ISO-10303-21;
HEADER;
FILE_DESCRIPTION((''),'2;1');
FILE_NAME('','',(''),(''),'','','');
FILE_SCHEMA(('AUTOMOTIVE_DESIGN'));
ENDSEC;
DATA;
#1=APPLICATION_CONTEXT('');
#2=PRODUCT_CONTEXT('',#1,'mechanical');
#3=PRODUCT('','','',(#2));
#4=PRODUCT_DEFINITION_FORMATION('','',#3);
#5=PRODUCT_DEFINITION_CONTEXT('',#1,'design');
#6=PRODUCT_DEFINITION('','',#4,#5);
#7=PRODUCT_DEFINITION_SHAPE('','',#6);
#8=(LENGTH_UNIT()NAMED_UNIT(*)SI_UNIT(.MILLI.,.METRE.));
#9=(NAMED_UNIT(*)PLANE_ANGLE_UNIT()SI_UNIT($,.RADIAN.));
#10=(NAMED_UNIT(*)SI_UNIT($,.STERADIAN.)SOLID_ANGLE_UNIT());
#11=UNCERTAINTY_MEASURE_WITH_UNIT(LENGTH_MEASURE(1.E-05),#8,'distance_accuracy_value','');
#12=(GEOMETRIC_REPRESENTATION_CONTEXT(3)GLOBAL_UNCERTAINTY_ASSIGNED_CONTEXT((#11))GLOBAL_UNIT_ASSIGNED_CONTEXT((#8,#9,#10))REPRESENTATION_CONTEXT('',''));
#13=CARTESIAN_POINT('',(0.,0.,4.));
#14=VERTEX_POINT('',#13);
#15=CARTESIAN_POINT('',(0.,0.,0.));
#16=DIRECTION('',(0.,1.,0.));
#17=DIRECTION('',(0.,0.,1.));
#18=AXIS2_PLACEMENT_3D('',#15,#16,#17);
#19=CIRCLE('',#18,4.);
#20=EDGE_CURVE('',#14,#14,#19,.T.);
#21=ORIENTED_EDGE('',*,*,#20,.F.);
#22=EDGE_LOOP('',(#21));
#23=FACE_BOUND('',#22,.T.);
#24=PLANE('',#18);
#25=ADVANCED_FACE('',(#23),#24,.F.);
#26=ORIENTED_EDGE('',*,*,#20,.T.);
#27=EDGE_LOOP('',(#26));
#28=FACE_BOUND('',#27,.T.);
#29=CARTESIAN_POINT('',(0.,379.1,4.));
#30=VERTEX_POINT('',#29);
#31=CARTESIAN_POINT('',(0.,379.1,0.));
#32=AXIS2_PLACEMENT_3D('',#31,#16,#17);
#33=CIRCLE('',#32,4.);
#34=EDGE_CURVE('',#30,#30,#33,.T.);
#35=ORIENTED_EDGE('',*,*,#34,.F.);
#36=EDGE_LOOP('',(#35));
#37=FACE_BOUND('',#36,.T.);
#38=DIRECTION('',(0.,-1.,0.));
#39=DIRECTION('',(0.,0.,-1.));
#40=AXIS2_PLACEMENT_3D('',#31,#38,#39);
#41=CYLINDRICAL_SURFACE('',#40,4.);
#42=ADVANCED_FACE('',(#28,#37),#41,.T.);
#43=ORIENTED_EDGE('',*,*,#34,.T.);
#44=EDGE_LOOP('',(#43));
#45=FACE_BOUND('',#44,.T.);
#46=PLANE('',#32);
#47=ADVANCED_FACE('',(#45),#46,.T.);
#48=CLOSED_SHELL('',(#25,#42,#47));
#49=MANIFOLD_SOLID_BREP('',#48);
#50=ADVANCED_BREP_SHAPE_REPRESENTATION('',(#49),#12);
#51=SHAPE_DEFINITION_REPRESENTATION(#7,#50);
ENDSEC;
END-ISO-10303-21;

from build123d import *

# Parameters (mm, degrees)
SKETCH1_R           = 4
BOSS_EXTRUDE1_DEPTH = 379.1


with BuildPart() as part:
    # Sketch1 → Boss-Extrude1 (new body)
    with BuildSketch(Plane(origin=(0, 0, 0), x_dir=(1, 0, 0), z_dir=(0, 1, 0))):
        with Locations(Location((0, 0, 0), (0, 0, 270))):
            Circle(SKETCH1_R)
    extrude(amount=BOSS_EXTRUDE1_DEPTH)


solid = part.part
